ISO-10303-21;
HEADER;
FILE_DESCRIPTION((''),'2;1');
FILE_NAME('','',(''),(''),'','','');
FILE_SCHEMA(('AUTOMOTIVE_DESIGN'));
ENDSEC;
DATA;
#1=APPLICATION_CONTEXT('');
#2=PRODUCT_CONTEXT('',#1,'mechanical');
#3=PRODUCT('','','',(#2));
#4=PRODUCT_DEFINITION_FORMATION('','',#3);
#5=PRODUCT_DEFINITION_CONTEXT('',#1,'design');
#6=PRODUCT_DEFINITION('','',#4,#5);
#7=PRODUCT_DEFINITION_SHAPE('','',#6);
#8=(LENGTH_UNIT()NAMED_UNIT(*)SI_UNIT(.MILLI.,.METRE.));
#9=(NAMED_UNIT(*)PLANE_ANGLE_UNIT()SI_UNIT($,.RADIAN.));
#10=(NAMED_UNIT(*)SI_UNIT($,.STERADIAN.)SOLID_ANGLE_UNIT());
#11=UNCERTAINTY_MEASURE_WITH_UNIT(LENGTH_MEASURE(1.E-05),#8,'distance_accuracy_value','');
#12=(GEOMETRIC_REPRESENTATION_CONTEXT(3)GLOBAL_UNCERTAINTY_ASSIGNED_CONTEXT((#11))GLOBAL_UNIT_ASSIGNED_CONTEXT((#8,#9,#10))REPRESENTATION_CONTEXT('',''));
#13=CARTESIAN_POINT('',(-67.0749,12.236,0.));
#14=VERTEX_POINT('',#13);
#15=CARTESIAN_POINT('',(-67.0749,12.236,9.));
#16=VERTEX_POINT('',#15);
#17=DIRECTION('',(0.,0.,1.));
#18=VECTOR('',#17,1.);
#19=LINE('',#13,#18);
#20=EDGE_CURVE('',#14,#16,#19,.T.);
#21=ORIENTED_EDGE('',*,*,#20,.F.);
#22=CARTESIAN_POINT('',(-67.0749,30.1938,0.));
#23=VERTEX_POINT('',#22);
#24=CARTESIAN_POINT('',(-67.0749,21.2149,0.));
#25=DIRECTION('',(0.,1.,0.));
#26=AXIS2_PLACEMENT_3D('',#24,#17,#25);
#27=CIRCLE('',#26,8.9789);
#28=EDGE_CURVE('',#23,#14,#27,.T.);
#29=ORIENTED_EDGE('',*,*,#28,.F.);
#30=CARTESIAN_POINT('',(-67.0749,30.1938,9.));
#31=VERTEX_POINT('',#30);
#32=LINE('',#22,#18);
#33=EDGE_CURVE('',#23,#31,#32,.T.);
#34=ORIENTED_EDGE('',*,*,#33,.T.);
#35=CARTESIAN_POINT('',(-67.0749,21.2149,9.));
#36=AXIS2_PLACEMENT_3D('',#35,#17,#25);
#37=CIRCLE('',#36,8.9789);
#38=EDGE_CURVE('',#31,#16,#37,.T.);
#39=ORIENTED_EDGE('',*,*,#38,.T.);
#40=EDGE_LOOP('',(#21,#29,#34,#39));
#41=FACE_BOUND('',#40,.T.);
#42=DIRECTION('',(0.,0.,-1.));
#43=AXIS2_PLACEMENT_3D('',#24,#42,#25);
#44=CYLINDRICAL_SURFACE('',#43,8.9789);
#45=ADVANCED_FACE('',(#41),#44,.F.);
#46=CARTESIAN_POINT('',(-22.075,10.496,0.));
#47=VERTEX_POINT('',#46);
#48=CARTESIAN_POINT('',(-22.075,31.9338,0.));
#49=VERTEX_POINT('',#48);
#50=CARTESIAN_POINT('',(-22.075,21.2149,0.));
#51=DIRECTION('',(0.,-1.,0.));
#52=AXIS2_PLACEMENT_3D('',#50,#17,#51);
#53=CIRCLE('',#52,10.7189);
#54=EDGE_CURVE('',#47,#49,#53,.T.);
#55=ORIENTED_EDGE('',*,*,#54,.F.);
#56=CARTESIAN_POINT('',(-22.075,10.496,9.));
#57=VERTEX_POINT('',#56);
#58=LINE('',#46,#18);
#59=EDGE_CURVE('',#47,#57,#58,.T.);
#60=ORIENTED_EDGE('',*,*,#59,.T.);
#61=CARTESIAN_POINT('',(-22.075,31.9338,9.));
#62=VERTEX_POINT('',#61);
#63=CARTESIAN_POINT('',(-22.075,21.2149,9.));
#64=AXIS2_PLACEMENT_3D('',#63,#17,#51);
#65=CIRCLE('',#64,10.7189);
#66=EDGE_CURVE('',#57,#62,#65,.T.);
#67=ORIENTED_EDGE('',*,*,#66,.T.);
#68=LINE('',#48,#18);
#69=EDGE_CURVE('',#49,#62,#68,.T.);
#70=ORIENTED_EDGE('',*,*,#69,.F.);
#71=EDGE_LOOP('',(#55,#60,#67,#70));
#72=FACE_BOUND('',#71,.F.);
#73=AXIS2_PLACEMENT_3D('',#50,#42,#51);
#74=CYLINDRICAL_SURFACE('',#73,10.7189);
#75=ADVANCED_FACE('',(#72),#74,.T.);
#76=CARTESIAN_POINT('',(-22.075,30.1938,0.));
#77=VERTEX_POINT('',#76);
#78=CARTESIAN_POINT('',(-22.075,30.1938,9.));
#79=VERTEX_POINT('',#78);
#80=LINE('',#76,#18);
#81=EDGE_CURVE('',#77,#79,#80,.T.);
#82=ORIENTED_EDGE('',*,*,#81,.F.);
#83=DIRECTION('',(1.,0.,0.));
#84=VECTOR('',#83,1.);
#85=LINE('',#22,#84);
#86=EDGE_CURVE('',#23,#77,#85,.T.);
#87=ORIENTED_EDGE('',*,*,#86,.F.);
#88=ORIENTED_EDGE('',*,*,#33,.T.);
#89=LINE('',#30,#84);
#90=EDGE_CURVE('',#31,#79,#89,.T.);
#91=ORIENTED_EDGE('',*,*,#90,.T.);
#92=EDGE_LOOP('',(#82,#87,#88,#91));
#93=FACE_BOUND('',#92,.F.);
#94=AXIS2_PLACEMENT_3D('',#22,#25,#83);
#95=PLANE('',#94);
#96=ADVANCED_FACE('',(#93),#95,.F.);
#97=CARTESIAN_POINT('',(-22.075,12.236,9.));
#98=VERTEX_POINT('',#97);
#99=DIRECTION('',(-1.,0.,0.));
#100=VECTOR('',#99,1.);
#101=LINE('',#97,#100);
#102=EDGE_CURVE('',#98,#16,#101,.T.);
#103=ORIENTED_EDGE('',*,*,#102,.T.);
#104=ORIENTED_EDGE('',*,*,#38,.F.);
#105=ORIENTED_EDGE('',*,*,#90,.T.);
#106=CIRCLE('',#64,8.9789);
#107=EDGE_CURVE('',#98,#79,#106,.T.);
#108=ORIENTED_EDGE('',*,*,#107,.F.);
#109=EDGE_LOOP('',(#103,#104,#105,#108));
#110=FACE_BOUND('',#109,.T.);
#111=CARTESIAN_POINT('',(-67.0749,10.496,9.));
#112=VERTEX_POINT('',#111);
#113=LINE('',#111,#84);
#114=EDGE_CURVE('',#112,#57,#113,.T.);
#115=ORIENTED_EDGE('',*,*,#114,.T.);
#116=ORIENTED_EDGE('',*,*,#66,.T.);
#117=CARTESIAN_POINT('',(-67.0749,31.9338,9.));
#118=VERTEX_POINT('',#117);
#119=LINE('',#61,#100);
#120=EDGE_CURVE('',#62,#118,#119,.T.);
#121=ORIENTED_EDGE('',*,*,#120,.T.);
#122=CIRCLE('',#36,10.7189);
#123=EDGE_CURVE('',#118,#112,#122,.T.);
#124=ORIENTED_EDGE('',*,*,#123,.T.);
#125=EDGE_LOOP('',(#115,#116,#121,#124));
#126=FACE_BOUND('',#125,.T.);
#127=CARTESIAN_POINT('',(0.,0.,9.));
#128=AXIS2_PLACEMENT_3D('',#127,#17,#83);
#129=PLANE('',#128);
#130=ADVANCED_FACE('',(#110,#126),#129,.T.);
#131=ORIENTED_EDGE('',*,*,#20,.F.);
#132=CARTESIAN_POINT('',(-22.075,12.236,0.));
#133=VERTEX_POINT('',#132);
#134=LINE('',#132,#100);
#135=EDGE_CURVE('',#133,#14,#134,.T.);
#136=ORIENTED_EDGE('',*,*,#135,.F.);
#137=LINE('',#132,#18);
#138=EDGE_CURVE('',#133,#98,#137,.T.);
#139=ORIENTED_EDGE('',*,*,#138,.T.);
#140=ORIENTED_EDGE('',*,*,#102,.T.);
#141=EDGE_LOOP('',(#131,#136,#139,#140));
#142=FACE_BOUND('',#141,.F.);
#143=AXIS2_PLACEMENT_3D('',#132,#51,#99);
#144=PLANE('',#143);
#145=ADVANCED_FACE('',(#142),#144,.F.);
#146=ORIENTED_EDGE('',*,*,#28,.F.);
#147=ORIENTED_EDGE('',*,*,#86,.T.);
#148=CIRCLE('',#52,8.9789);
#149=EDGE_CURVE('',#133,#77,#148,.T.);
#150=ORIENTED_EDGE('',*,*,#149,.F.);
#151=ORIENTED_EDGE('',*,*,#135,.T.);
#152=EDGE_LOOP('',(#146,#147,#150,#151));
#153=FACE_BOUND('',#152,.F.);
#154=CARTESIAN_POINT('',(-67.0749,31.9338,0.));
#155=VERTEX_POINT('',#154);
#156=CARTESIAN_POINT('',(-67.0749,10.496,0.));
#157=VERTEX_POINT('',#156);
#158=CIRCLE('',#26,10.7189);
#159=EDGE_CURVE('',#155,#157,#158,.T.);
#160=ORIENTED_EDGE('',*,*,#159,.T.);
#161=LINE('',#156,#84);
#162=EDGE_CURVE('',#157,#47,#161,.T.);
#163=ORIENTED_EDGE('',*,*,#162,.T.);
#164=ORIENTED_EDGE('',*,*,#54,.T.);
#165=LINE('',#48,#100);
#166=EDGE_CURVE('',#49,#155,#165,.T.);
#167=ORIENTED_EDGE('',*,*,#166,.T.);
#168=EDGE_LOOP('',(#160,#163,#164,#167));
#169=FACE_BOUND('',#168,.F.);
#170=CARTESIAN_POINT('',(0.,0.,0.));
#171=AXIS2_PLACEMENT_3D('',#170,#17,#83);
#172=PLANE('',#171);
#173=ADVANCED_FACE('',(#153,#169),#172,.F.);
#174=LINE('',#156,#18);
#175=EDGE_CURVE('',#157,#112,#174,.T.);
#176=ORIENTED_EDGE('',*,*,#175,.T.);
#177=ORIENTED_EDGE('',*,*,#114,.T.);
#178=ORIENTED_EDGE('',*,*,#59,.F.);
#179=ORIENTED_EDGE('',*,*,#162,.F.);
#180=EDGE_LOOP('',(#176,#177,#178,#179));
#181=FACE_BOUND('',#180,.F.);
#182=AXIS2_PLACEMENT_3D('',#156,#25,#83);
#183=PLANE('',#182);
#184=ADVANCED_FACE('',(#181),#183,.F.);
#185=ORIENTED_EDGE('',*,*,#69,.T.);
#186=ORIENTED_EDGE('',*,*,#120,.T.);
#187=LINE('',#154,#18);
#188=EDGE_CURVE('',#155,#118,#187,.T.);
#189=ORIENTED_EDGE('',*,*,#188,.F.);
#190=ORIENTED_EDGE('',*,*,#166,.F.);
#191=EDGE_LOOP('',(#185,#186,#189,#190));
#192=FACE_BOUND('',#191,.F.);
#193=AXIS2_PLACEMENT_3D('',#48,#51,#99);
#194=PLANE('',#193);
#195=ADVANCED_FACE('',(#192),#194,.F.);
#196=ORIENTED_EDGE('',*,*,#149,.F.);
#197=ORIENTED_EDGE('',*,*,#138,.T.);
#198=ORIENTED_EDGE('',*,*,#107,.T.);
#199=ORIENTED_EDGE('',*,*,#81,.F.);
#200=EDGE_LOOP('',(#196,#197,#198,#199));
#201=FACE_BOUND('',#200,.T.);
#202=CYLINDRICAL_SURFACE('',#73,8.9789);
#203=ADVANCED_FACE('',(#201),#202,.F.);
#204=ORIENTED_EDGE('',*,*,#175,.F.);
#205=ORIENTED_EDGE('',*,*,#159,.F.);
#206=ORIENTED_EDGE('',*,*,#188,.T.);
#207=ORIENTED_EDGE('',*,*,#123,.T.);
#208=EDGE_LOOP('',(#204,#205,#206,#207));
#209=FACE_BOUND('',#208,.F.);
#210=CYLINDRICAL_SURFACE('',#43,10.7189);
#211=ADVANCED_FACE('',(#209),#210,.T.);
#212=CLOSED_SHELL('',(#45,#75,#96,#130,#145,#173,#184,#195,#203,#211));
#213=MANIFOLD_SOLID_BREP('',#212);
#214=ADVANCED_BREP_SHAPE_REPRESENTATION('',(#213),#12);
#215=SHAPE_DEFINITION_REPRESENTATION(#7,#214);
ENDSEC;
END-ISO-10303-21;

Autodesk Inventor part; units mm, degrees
ref_plane "YZ Plane" through (0, 0, 0) normal (1, 0, 0) x (0, 1, 0)
ref_plane "XZ Plane" through (0, 0, 0) normal (0, 1, 0) x (-1, 0, 0)
ref_plane "XY Plane" through (0, 0, 0) normal (0, 0, 1) x (1, 0, 0)
sketch "Sketch1" plane through (0, 0, 0) normal (0, 0, 1) x (1, 0, 0)
  arc A0 (-67.0749, 30.1938) -> (-67.0749, 12.236) centre (-67.0749, 21.2149) ccw
  arc A1 (-22.075, 12.236) -> (-22.075, 30.1938) centre (-22.075, 21.2149) ccw
  line L0 (-67.0749, 30.1938) -> (-22.075, 30.1938)
  line L1 (-22.075, 12.236) -> (-67.0749, 12.236)
  line L2 (-22.075, 31.9338) -> (-67.0749, 31.9338)
  arc A2 (-67.0749, 31.9338) -> (-67.0749, 10.496) centre (-67.0749, 21.2149) ccw
  line L3 (-67.0749, 10.496) -> (-22.075, 10.496)
  arc A3 (-22.075, 10.496) -> (-22.075, 31.9338) centre (-22.075, 21.2149) ccw
  point P0 (0, 0)
  dimension "d0" = 17.9578
  dimension "d1" = 17.9578
  dimension "d2" = 0
  dimension "d3" = 44.9999
  dimension "d4" = 1.74
extrude "Extrusion1" add sketch "Sketch1" along normal blind 9
properties part number "43T timing belt from gobuilda"
